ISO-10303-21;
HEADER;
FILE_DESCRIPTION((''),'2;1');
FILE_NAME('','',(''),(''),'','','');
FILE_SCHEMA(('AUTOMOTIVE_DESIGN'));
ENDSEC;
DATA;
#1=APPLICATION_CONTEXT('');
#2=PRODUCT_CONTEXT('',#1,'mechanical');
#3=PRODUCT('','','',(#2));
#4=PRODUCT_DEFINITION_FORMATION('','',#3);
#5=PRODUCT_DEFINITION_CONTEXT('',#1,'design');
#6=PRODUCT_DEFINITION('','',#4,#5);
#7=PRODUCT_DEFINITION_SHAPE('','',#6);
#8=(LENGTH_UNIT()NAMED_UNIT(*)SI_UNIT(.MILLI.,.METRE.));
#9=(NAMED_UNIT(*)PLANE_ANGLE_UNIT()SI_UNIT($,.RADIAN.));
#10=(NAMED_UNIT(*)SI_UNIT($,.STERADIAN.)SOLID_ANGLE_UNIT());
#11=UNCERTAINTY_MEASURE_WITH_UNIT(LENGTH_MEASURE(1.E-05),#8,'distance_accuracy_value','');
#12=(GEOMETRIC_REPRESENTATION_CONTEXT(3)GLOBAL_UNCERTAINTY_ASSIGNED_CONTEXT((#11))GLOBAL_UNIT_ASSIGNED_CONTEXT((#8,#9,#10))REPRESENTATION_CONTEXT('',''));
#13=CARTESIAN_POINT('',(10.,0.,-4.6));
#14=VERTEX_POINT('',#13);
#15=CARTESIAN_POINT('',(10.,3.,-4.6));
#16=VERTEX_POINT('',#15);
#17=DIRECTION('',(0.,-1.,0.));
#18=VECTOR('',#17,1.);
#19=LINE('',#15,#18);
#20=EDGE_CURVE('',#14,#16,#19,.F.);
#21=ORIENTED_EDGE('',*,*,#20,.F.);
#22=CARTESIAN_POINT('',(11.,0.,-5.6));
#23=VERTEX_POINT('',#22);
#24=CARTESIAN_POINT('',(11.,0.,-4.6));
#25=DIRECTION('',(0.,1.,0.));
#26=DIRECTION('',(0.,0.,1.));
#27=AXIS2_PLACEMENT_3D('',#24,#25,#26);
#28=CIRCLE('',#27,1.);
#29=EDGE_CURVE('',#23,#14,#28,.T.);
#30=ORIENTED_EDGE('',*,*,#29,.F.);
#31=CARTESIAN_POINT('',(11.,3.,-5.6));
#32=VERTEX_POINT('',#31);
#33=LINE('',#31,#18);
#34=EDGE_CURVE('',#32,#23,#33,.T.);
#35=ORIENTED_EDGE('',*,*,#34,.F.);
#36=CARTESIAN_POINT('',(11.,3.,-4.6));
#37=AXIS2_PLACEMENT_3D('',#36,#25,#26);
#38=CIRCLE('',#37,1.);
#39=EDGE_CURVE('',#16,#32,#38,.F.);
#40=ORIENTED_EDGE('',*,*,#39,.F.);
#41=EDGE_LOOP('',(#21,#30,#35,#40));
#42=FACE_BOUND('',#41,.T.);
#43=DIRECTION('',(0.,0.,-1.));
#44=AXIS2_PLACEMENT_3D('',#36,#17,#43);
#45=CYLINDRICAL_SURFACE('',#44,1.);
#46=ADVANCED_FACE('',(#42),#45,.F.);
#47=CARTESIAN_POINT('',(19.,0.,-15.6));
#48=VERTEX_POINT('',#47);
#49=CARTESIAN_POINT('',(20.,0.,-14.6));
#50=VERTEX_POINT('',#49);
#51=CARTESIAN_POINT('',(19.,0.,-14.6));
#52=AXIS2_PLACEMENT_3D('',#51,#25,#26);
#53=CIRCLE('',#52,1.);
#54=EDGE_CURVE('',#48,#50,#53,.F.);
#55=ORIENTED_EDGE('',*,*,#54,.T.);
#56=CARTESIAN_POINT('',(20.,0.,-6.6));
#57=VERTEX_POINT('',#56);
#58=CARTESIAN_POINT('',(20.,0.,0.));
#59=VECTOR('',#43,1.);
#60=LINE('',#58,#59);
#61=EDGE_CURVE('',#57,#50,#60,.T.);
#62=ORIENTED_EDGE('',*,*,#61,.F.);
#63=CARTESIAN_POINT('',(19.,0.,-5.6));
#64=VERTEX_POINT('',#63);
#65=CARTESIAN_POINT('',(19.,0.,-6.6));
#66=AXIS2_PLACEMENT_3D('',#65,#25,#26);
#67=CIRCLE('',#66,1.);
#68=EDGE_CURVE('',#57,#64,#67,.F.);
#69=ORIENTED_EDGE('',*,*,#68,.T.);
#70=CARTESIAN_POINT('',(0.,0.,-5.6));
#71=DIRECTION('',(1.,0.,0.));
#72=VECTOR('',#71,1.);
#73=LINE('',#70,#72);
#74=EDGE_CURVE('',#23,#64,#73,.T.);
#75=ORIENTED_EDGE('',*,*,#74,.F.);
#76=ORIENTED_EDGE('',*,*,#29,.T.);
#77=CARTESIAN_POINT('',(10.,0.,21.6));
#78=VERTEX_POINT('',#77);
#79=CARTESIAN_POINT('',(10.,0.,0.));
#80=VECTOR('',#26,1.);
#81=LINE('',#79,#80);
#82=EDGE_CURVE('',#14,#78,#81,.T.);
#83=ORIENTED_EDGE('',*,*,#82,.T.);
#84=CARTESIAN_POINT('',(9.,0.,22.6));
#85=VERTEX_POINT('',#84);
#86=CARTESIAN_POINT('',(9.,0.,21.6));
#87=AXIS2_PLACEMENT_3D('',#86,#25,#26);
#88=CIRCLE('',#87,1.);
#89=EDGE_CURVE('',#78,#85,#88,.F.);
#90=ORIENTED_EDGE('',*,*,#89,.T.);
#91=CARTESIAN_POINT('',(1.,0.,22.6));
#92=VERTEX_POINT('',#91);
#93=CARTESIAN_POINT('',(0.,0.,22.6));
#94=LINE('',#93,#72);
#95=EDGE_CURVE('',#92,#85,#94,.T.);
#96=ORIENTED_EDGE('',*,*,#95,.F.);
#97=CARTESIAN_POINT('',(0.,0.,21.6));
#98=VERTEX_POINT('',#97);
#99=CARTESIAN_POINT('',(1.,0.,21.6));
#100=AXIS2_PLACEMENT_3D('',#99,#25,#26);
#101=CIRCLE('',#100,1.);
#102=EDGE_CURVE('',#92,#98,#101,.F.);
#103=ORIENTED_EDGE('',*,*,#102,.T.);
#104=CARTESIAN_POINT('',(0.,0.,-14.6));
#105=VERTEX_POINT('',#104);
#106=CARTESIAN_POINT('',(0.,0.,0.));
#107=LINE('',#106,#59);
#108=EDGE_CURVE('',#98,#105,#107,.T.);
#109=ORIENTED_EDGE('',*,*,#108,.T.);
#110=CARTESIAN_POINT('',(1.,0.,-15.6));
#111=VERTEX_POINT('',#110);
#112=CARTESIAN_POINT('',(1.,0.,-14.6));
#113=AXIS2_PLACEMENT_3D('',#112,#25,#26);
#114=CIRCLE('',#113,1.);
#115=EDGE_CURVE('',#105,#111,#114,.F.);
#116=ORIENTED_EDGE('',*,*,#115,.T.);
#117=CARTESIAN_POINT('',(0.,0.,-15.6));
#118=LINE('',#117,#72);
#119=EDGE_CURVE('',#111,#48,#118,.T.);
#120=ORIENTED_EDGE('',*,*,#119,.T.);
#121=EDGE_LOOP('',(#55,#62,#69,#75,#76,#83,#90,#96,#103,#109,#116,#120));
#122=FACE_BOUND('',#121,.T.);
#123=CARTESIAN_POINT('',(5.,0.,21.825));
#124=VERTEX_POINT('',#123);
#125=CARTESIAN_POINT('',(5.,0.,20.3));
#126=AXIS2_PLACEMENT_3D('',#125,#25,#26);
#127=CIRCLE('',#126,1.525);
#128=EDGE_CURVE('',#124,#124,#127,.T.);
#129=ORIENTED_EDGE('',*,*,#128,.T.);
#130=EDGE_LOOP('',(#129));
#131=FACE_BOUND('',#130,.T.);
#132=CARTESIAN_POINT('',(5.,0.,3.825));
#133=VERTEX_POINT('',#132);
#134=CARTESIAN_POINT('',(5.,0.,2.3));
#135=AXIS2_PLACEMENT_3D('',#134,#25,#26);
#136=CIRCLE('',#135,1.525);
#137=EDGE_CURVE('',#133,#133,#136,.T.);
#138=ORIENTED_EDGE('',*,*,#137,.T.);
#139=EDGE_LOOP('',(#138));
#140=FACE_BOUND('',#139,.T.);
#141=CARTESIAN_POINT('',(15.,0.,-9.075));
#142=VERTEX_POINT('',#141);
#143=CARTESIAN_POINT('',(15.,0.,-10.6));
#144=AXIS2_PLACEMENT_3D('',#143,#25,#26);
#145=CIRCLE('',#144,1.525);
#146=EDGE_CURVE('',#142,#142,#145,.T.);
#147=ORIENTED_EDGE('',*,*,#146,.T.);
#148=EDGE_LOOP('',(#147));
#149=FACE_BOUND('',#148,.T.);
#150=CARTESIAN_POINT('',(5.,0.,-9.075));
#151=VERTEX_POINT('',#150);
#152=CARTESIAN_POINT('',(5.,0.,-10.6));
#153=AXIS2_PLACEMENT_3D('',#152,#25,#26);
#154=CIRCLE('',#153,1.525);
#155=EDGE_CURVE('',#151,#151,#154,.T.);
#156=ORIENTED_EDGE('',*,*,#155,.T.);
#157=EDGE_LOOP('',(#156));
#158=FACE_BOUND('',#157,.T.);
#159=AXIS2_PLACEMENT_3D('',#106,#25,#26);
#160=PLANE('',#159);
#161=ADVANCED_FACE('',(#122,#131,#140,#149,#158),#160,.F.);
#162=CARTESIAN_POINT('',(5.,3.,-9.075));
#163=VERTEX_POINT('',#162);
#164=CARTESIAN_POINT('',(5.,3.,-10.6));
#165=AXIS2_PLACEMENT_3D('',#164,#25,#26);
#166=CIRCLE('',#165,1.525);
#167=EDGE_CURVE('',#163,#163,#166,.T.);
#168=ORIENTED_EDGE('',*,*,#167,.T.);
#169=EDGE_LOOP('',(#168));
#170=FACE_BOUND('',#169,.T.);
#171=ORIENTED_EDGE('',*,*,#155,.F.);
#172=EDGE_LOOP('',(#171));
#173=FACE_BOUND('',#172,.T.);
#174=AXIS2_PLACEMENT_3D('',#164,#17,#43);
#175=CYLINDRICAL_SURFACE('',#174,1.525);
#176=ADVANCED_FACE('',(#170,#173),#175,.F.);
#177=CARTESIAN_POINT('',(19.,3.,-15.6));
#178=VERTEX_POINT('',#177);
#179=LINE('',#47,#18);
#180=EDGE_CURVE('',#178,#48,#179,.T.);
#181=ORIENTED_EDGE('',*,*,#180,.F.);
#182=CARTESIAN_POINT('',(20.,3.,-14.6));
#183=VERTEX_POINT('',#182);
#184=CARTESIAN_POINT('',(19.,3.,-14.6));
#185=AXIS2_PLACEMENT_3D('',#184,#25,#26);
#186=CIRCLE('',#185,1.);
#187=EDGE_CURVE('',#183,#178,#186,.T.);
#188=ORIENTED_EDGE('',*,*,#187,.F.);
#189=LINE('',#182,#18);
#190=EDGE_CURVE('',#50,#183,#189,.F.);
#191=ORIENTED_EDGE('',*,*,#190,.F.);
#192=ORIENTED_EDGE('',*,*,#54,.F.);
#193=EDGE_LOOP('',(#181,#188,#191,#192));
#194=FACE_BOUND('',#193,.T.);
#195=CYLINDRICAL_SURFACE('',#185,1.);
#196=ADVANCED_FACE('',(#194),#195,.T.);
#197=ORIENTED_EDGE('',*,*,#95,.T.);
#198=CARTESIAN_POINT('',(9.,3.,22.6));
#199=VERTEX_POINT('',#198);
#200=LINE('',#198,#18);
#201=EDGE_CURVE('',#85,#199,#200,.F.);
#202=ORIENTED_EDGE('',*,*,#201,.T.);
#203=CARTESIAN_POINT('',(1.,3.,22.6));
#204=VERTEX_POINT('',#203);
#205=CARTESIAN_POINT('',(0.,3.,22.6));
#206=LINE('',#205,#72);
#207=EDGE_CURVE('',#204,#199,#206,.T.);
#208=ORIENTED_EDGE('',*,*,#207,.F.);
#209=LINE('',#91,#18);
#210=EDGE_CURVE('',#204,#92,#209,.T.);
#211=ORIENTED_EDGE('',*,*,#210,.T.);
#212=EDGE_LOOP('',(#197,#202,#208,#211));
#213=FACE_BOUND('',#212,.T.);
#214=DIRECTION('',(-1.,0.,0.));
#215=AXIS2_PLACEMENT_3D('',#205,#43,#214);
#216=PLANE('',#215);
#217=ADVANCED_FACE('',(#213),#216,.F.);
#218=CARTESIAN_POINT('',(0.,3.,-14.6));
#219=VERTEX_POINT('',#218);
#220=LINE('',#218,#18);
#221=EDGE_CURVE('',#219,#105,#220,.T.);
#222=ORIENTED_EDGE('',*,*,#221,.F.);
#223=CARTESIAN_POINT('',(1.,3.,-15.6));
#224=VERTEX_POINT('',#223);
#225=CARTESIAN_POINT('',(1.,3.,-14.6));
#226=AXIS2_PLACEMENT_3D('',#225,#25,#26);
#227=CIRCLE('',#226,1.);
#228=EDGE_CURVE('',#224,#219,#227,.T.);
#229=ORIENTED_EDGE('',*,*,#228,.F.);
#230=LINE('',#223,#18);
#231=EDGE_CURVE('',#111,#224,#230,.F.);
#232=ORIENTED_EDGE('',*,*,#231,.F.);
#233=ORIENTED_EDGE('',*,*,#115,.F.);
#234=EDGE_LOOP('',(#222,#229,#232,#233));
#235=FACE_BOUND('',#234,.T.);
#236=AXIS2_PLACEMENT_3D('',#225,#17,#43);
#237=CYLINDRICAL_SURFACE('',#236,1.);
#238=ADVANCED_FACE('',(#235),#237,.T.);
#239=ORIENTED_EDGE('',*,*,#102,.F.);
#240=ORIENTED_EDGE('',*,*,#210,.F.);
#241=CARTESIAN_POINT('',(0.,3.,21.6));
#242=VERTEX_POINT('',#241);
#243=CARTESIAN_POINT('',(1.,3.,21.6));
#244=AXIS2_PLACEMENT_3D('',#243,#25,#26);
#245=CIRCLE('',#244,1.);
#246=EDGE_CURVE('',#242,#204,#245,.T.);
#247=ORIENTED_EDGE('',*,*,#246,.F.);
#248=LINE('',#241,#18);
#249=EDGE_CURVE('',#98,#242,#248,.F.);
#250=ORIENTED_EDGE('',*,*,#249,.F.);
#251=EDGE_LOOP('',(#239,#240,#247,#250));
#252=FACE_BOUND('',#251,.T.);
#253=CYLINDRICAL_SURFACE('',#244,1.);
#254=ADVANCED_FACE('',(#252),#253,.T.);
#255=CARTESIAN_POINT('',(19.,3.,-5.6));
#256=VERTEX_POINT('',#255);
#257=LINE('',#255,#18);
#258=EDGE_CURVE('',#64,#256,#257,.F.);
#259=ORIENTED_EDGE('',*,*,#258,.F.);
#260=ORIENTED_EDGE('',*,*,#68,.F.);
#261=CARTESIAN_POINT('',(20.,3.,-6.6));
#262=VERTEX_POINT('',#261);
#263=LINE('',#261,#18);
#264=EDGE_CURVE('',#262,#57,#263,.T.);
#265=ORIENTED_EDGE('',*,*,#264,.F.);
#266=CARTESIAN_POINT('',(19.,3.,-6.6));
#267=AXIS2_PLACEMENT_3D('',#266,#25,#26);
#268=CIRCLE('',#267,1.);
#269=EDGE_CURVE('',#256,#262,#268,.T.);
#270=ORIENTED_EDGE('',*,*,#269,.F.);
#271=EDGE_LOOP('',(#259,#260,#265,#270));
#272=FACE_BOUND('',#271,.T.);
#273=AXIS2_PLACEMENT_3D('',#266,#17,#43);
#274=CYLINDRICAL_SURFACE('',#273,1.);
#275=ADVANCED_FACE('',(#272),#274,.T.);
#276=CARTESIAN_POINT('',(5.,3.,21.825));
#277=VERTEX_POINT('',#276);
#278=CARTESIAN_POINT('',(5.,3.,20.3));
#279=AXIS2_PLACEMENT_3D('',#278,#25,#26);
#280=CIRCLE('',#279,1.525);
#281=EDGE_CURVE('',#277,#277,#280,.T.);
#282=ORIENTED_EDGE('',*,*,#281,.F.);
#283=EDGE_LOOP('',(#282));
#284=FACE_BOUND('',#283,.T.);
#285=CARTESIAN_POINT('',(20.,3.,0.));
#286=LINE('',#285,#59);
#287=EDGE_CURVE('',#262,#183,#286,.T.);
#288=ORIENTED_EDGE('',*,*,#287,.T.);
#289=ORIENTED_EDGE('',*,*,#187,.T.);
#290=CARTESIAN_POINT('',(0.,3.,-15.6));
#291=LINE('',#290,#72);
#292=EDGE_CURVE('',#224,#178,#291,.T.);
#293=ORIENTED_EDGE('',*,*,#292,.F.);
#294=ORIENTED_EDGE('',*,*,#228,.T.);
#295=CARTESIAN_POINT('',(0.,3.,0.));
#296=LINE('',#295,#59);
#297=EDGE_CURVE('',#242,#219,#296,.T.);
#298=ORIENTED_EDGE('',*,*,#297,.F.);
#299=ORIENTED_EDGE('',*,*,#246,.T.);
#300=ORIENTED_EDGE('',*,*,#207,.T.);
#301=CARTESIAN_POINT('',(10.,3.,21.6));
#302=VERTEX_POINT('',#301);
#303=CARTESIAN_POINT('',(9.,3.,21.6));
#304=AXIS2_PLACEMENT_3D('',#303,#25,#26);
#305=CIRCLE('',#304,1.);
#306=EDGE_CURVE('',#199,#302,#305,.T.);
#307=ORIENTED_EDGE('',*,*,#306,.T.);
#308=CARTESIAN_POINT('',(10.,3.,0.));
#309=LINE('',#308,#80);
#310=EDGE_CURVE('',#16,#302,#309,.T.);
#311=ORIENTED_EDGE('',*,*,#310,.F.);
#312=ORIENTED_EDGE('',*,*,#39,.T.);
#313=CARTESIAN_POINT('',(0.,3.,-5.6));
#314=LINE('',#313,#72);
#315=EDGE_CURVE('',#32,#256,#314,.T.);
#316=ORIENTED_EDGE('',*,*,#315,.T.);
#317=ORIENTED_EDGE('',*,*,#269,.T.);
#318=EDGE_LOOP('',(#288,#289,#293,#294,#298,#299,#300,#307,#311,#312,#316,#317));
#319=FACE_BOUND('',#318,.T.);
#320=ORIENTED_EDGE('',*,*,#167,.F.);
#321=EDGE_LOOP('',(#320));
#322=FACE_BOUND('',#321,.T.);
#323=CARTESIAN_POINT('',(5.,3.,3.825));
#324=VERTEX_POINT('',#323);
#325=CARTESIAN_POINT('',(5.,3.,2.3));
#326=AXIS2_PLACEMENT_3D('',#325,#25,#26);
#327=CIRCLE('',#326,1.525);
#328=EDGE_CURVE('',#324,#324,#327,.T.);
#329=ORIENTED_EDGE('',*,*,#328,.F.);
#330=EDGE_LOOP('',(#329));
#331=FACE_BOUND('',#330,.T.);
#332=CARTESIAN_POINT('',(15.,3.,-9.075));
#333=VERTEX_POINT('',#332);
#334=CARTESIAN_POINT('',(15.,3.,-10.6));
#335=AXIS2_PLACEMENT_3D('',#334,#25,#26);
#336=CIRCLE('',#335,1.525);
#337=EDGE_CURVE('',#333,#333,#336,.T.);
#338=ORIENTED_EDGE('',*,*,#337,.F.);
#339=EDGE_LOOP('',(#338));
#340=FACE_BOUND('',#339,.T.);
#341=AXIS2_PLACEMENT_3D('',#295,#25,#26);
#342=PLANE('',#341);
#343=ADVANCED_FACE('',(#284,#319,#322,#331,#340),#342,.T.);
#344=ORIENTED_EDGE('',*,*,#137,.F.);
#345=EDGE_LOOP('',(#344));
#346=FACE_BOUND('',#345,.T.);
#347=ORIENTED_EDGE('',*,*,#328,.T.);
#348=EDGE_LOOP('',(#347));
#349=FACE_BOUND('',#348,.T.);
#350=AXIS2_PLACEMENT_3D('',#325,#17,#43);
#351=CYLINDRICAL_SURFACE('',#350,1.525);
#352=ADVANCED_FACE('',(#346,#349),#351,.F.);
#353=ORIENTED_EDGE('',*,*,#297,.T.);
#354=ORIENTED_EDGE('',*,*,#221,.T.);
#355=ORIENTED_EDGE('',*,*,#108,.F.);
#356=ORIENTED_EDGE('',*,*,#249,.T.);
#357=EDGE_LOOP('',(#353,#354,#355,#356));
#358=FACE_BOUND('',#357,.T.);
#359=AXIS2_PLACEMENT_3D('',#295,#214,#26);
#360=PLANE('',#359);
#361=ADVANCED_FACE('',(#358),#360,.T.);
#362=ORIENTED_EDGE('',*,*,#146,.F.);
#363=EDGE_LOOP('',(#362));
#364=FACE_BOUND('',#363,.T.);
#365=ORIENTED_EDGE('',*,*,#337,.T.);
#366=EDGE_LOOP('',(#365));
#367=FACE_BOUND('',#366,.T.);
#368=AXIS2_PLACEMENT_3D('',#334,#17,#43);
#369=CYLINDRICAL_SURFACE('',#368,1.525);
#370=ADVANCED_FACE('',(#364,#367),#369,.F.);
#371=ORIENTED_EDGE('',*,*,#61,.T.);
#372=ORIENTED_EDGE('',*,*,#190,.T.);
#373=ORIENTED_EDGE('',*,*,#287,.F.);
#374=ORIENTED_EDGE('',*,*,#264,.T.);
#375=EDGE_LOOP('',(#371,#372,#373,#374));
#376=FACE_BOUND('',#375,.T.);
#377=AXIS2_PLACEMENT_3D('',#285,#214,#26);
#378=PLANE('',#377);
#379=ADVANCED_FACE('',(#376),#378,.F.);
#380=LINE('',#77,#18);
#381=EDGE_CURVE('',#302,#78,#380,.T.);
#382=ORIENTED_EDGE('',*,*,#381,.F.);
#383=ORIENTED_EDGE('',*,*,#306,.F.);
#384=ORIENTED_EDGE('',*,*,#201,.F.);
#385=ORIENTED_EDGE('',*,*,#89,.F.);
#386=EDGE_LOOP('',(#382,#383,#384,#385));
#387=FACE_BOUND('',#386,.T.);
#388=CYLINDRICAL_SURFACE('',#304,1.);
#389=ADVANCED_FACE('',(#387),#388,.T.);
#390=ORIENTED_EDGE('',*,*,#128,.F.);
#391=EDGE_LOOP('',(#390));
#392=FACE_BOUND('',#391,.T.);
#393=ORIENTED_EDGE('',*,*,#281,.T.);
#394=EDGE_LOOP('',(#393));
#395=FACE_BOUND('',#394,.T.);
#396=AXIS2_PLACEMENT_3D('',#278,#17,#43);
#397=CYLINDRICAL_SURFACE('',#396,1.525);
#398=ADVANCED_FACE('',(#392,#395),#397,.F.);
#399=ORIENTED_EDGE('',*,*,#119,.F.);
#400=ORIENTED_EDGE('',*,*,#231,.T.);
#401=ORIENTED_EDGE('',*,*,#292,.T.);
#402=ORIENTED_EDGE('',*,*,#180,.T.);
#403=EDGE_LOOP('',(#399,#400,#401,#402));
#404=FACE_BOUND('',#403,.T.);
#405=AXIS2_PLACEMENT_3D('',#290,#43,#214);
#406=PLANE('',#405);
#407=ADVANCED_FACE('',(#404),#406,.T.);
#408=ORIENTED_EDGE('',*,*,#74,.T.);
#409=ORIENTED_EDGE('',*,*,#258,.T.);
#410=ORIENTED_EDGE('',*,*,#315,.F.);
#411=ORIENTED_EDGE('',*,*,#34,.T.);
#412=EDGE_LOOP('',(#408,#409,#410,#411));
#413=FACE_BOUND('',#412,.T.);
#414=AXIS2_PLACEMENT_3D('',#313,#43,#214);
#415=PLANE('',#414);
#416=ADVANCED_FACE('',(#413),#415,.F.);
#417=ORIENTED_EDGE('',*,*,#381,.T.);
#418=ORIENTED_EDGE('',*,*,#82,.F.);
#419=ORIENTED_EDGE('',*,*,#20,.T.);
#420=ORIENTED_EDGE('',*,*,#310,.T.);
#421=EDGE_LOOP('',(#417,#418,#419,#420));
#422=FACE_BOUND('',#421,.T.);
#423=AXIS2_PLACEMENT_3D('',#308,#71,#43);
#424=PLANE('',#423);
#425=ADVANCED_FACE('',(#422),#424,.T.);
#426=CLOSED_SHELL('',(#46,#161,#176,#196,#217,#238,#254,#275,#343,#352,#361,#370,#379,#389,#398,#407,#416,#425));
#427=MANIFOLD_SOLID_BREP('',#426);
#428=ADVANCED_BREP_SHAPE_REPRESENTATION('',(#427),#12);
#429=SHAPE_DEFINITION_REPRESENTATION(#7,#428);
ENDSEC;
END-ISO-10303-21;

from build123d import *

# Parameters (mm, degrees)
SKETCH1_R           = 1.525
BOSS_EXTRUDE1_DEPTH = 3
FILLET1_R           = 1


with BuildPart() as part:
    # Sketch1 → Boss-Extrude1 (new body)
    with BuildSketch(Plane(origin=(0, 0, 0), x_dir=(1, 0, 0), z_dir=(0, 1, 0))):
        Polygon((10, 5.6), (20, 5.6), (20, 15.6), (0, 15.6), (0, 0), (0, -22.6), (10, -22.6), align=None)
        with Locations(Location((5, 10.6, 0), (0, 0, 270))):
            Circle(SKETCH1_R, mode=Mode.SUBTRACT)
        with Locations(Location((15, 10.6, 0), (0, 0, 270))):
            Circle(SKETCH1_R, mode=Mode.SUBTRACT)
        with Locations(Location((5, -2.3, 0), (0, 0, 270))):
            Circle(SKETCH1_R, mode=Mode.SUBTRACT)
        with Locations(Location((5, -20.3, 0), (0, 0, 270))):
            Circle(SKETCH1_R, mode=Mode.SUBTRACT)
    extrude(amount=BOSS_EXTRUDE1_DEPTH)

    # Fillet1
    fillet1_edges = [part.edges().sort_by_distance(p)[0] for p in [
        (10, 1.5, 22.6),
        (0, 1.5, 22.6),
        (0, 1.5, -15.6),
        (20, 1.5, -15.6),
        (20, 1.5, -5.6),
        (10, 1.5, -5.6),
    ]]
    fillet(fillet1_edges, radius=FILLET1_R)


solid = part.part
